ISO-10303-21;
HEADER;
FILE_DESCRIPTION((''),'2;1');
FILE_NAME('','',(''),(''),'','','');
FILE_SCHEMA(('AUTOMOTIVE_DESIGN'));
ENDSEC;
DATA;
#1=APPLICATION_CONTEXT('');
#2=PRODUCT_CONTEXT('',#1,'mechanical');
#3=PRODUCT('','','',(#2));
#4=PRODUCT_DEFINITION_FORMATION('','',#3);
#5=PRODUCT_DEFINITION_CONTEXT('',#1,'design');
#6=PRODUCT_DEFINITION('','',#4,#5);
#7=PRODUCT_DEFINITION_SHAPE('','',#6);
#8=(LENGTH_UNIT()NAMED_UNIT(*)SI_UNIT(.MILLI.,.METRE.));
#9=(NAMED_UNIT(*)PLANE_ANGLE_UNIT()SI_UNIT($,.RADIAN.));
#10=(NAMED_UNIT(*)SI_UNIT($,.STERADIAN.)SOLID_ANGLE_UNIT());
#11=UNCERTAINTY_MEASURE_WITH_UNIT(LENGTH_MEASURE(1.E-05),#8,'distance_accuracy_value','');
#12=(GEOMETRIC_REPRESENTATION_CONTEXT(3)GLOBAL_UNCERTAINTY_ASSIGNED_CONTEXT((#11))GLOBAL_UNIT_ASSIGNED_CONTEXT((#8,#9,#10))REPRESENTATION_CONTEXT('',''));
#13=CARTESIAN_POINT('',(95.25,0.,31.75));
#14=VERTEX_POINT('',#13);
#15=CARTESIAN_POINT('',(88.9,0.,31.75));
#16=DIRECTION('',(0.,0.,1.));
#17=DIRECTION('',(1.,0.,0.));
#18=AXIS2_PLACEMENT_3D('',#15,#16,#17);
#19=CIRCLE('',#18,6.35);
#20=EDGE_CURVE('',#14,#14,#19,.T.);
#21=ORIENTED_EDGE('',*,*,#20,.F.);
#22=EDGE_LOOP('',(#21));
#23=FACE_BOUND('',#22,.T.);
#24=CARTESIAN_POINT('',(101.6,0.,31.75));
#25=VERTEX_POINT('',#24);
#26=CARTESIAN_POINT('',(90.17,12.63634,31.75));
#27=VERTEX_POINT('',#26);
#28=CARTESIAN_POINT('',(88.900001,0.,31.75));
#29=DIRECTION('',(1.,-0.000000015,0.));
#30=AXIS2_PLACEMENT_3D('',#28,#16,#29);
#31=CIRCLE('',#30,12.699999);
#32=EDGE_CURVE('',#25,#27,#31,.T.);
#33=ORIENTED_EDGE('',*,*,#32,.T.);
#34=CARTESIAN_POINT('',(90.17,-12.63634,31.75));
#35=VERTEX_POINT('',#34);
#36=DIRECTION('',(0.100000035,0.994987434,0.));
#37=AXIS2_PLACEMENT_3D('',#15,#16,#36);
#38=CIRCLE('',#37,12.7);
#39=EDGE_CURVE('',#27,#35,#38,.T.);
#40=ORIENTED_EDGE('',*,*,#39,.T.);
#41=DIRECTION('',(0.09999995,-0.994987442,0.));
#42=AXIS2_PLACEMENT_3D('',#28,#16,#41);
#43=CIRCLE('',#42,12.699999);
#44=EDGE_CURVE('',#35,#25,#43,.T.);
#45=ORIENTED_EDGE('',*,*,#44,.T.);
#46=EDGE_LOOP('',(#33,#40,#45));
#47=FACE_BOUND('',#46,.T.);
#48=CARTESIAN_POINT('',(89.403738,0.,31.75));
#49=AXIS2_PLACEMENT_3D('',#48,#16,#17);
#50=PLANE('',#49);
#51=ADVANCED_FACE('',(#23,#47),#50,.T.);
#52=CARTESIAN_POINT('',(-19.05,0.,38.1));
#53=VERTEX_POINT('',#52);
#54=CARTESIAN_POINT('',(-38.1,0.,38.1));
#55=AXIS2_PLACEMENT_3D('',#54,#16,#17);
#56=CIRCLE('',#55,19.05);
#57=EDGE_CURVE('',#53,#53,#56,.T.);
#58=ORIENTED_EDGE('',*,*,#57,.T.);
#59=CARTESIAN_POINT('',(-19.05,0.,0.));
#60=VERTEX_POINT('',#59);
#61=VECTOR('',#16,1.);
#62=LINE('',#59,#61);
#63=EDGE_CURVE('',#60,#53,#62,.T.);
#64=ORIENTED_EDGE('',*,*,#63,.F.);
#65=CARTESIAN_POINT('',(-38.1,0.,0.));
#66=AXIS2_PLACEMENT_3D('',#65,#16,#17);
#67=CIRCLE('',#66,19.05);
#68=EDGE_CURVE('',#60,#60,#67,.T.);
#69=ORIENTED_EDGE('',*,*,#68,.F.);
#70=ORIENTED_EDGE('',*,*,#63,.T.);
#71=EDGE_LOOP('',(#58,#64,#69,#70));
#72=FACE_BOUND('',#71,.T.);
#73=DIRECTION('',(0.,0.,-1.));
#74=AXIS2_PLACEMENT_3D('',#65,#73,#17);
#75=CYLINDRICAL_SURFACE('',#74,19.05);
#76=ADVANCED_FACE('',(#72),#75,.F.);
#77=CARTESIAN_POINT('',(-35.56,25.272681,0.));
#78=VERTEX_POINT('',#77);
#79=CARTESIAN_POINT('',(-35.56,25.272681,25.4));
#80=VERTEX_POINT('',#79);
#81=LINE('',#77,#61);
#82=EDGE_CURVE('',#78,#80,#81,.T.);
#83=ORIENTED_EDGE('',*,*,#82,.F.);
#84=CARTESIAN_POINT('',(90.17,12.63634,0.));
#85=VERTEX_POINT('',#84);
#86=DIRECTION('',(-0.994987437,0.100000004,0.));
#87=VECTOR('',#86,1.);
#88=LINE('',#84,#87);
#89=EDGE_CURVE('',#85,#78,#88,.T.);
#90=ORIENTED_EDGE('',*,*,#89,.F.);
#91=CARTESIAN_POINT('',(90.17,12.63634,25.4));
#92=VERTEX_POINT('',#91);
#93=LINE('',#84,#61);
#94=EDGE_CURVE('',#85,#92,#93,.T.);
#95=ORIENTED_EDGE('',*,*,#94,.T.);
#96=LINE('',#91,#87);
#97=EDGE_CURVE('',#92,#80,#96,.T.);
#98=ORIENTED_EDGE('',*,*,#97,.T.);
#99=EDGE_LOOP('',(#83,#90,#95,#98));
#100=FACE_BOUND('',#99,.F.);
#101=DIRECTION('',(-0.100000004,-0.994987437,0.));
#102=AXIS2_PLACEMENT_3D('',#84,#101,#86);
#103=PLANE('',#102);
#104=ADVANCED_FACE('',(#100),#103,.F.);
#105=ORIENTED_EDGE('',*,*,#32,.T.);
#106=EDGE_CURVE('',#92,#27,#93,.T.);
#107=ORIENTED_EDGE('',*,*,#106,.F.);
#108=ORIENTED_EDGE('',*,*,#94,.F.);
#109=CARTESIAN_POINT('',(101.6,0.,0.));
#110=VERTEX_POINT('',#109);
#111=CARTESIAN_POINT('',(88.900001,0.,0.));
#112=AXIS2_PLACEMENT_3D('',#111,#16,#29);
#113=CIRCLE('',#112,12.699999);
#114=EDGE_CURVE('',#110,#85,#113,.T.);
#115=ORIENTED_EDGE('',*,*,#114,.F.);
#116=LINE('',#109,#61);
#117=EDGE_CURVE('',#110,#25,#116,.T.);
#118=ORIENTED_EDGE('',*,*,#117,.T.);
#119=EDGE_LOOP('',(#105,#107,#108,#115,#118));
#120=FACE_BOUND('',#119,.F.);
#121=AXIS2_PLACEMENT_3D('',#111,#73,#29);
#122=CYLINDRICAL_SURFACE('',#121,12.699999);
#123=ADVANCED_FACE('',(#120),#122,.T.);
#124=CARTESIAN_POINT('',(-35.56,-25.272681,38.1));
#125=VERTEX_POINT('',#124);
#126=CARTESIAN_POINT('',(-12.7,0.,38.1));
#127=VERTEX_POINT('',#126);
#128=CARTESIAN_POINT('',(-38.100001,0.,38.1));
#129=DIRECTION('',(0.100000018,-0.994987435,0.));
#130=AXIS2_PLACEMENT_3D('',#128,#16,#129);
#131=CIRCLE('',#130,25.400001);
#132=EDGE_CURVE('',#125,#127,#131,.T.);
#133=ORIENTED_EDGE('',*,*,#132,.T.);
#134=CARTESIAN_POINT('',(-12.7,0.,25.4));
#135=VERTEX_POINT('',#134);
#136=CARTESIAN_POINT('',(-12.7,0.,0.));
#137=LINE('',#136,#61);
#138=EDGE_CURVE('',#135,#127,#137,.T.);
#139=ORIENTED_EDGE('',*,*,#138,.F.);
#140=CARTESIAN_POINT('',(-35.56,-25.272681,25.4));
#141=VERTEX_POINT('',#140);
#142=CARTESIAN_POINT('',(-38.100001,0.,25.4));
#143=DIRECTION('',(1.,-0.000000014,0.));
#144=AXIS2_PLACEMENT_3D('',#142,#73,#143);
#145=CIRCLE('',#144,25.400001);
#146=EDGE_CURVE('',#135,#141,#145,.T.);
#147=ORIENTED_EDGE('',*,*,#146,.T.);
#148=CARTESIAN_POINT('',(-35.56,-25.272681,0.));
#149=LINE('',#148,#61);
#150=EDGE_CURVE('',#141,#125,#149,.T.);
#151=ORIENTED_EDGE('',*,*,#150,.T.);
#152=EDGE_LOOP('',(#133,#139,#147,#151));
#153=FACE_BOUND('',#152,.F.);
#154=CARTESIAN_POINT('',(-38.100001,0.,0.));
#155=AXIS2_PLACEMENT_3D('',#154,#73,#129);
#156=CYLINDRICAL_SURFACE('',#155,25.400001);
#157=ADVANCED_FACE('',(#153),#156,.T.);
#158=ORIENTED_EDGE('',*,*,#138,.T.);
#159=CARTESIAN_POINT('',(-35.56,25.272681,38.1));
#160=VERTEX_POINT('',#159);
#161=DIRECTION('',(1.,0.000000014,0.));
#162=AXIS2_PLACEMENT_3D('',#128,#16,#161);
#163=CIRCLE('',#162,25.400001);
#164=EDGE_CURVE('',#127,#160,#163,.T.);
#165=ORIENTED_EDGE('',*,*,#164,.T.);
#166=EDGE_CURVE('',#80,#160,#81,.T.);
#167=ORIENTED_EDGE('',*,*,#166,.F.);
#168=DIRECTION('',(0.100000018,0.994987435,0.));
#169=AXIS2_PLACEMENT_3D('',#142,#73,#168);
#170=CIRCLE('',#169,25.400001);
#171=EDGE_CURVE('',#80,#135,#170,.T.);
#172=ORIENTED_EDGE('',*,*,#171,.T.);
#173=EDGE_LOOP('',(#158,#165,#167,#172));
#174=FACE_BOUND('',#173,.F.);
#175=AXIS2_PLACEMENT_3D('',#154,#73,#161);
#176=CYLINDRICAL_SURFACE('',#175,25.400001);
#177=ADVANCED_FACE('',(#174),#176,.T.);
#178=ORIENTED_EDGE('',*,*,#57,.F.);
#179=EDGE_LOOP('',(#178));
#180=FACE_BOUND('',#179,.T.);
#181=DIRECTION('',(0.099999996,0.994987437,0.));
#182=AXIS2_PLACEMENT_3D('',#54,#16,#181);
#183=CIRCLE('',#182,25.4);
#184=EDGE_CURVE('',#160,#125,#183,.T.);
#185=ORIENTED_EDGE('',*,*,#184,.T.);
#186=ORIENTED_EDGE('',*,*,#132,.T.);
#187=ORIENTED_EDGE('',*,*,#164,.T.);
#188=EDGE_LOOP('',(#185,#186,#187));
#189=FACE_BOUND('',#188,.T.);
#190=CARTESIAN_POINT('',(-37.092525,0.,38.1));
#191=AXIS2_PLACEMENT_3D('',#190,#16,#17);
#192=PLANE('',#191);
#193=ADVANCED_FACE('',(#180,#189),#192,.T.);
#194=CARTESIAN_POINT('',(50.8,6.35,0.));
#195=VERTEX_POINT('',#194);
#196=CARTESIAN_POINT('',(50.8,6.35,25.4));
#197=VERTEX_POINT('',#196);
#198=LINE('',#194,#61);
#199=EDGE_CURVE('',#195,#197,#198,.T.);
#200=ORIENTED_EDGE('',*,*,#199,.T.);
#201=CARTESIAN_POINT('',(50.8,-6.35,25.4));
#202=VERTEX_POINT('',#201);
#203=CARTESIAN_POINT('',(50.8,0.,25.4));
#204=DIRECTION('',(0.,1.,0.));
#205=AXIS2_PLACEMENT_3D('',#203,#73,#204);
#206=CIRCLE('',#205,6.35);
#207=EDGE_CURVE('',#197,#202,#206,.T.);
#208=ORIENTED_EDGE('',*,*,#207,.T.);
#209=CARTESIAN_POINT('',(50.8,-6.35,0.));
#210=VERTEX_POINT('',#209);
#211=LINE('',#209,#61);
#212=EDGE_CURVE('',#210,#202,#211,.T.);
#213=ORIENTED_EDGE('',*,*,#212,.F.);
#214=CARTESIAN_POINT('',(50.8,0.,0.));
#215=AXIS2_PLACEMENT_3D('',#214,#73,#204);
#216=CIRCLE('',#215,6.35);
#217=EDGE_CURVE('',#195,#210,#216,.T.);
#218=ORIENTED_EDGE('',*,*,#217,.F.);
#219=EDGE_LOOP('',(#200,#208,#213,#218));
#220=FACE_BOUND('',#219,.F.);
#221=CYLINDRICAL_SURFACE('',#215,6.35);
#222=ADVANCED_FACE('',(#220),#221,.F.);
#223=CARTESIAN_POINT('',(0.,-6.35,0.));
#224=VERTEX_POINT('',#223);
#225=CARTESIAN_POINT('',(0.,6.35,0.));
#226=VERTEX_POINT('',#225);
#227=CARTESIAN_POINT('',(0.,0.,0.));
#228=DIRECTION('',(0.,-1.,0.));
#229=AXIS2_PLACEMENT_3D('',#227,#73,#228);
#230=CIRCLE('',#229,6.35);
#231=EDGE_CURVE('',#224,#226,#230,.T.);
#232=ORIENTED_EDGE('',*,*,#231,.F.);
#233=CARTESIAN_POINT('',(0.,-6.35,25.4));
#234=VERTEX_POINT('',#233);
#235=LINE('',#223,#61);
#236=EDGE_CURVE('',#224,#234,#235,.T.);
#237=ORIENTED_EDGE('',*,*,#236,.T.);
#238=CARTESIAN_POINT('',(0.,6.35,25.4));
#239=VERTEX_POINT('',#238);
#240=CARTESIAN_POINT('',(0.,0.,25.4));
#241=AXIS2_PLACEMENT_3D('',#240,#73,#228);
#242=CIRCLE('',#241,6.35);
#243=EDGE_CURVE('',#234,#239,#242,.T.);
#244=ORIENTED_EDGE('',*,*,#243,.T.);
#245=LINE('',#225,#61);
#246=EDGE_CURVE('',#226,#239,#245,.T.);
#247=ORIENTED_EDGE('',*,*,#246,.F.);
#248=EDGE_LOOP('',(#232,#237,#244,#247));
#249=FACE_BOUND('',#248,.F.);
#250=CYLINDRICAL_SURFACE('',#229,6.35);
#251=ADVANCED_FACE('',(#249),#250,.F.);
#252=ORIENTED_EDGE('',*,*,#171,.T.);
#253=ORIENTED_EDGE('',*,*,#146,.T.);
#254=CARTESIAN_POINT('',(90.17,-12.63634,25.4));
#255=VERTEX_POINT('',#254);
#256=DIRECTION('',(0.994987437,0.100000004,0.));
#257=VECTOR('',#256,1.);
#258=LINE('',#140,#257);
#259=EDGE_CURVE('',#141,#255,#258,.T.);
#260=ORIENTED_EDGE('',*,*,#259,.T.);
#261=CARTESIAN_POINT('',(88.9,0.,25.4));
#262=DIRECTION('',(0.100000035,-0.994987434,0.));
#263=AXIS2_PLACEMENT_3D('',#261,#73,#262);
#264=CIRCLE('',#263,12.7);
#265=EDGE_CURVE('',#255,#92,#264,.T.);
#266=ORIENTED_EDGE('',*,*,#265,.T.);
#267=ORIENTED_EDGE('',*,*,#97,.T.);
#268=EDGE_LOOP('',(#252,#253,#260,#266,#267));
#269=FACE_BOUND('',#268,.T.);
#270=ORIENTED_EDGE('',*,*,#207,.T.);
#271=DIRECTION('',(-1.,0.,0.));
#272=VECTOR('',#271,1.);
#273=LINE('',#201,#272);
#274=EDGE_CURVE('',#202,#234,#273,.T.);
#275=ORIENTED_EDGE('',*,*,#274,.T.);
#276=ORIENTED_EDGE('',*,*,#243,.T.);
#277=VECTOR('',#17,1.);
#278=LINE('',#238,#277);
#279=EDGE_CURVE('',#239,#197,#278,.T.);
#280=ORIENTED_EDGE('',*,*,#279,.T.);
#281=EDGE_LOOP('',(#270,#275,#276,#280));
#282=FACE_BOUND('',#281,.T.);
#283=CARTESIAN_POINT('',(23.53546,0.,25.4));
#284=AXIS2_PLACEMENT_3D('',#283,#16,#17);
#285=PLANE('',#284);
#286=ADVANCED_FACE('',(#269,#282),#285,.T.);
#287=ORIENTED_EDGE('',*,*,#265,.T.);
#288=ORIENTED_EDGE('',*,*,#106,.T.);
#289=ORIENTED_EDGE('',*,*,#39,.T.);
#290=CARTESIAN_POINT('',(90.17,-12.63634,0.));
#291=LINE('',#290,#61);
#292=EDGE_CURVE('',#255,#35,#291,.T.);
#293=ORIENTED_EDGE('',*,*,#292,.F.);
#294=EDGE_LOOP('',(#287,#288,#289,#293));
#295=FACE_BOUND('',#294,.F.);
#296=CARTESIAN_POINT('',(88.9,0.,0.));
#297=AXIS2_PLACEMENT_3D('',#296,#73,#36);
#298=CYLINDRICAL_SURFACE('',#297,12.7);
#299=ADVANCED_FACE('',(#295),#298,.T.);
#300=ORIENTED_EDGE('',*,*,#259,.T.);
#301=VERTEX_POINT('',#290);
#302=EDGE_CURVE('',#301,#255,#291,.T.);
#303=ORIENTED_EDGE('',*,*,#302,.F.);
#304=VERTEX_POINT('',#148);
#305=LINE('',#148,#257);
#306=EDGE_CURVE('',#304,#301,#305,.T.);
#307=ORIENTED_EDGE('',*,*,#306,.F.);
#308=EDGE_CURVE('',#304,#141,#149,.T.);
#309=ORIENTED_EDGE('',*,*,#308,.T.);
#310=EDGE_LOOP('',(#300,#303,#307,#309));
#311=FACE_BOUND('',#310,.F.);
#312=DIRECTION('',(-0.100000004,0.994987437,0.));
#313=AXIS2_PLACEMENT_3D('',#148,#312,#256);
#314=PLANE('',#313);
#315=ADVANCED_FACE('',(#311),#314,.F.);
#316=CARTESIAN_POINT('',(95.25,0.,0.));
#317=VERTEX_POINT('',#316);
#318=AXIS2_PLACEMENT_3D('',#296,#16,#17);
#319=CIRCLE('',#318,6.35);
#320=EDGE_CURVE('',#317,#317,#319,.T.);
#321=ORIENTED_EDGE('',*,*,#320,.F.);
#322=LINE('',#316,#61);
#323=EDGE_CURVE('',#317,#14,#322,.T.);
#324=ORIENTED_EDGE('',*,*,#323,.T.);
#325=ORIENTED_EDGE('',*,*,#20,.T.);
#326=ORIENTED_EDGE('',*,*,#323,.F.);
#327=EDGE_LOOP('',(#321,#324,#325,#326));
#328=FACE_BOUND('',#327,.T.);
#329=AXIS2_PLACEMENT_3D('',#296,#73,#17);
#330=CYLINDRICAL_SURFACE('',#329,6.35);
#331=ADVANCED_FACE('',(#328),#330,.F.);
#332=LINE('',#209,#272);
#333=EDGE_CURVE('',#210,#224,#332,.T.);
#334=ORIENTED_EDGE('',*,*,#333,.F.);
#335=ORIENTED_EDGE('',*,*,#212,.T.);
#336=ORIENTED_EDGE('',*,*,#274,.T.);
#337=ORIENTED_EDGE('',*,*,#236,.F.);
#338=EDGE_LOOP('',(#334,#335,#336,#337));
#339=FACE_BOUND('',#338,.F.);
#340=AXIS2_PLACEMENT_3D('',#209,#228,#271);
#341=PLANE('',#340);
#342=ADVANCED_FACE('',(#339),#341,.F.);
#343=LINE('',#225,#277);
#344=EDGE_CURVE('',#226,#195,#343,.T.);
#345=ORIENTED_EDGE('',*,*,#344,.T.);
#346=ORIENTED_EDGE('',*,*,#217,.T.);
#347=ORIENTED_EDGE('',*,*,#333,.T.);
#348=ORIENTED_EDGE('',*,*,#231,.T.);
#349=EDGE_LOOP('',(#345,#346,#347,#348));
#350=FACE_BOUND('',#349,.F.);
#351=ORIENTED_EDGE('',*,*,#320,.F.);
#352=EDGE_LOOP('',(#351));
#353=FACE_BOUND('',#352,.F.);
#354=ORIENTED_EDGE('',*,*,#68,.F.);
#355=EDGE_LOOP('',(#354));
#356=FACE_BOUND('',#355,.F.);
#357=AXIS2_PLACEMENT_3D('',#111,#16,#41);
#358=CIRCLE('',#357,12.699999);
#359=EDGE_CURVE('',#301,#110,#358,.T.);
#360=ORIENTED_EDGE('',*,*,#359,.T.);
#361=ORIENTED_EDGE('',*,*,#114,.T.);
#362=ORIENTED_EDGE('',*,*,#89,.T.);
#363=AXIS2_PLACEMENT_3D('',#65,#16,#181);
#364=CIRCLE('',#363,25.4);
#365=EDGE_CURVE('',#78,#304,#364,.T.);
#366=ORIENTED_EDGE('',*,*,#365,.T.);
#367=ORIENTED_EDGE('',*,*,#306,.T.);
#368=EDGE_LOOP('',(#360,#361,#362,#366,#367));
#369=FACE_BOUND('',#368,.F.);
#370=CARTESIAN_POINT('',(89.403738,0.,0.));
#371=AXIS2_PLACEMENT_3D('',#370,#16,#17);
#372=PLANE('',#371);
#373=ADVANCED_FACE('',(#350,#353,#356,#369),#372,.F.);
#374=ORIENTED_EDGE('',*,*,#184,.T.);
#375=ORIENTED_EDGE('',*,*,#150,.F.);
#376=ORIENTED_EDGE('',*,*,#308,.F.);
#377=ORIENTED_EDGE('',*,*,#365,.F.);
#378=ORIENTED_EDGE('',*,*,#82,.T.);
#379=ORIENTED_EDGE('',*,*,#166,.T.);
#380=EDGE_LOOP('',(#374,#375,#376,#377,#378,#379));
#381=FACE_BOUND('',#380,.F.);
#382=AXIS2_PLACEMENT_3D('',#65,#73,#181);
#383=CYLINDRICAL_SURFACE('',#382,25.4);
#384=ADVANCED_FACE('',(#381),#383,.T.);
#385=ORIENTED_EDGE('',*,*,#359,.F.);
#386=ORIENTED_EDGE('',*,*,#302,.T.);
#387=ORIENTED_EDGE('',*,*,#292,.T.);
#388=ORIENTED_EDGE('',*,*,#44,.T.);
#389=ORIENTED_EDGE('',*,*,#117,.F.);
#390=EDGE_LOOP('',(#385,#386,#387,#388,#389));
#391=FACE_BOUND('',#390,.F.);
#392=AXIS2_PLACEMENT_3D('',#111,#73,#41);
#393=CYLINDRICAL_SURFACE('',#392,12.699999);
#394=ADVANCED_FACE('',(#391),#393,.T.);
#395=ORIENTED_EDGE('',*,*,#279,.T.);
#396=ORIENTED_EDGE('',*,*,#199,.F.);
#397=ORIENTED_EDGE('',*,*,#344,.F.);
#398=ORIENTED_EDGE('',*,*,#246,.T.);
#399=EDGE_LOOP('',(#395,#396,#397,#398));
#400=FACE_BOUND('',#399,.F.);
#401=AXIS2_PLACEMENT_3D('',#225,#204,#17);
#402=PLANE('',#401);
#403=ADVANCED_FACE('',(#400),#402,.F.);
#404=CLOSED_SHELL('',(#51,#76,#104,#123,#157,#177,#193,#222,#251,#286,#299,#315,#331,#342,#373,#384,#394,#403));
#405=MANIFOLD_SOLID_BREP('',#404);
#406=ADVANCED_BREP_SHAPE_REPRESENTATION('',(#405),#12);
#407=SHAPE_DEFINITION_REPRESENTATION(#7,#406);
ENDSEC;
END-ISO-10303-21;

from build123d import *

# Parameters (mm, degrees)
F1_DEPTH = 25.4
F0_R     = 19.05
F2_DEPTH = 38.1
F0_R_2   = 6.35
F3_DEPTH = 31.75


with BuildPart() as f1:
    # F0 (on Top) → F1 (new body)
    with BuildSketch(Plane.XY):
        with BuildLine():
            ThreePointArc((90.17, -12.63634), (76.2, 0), (90.17, 12.63634))
            Line((90.17, 12.63634), (-35.56, 25.272681))
            ThreePointArc((-35.56, 25.272681), (-19.262856, 17.038838), (-12.7, 0))
            ThreePointArc((-12.7, 0), (-19.262856, -17.038838), (-35.56, -25.272681))
            Line((-35.56, -25.272681), (90.17, -12.63634))
        make_face()
        with BuildLine():
            ThreePointArc((0, -6.35), (-6.35, 0), (0, 6.35))
            Line((0, 6.35), (50.8, 6.35))
            ThreePointArc((50.8, 6.35), (57.15, 0), (50.8, -6.35))
            Line((50.8, -6.35), (0, -6.35))
        make_face(mode=Mode.SUBTRACT)
    extrude(amount=F1_DEPTH)

    # F0 (on Top) → F2 (join)
    with BuildSketch(Plane.XY):
        with BuildLine():
            ThreePointArc((-12.7, 0), (-19.262856, 17.038838), (-35.56, 25.272681))
            ThreePointArc((-35.56, 25.272681), (-63.5, 0), (-35.56, -25.272681))
            ThreePointArc((-35.56, -25.272681), (-19.262856, -17.038838), (-12.7, 0))
        make_face()
        with Locations((-38.1, 0)):
            Circle(F0_R, mode=Mode.SUBTRACT)
    extrude(amount=F2_DEPTH)

    # F0 (on Top) → F3 (join)
    with BuildSketch(Plane.XY):
        with BuildLine():
            ThreePointArc((90.17, -12.63634), (98.318572, -8.519419), (101.6, 0))
            ThreePointArc((101.6, 0), (98.318572, 8.519419), (90.17, 12.63634))
            ThreePointArc((90.17, 12.63634), (76.2, 0), (90.17, -12.63634))
        make_face()
        with Locations((88.9, 0)):
            Circle(F0_R_2, mode=Mode.SUBTRACT)
    extrude(amount=F3_DEPTH)


solid = f1.part
